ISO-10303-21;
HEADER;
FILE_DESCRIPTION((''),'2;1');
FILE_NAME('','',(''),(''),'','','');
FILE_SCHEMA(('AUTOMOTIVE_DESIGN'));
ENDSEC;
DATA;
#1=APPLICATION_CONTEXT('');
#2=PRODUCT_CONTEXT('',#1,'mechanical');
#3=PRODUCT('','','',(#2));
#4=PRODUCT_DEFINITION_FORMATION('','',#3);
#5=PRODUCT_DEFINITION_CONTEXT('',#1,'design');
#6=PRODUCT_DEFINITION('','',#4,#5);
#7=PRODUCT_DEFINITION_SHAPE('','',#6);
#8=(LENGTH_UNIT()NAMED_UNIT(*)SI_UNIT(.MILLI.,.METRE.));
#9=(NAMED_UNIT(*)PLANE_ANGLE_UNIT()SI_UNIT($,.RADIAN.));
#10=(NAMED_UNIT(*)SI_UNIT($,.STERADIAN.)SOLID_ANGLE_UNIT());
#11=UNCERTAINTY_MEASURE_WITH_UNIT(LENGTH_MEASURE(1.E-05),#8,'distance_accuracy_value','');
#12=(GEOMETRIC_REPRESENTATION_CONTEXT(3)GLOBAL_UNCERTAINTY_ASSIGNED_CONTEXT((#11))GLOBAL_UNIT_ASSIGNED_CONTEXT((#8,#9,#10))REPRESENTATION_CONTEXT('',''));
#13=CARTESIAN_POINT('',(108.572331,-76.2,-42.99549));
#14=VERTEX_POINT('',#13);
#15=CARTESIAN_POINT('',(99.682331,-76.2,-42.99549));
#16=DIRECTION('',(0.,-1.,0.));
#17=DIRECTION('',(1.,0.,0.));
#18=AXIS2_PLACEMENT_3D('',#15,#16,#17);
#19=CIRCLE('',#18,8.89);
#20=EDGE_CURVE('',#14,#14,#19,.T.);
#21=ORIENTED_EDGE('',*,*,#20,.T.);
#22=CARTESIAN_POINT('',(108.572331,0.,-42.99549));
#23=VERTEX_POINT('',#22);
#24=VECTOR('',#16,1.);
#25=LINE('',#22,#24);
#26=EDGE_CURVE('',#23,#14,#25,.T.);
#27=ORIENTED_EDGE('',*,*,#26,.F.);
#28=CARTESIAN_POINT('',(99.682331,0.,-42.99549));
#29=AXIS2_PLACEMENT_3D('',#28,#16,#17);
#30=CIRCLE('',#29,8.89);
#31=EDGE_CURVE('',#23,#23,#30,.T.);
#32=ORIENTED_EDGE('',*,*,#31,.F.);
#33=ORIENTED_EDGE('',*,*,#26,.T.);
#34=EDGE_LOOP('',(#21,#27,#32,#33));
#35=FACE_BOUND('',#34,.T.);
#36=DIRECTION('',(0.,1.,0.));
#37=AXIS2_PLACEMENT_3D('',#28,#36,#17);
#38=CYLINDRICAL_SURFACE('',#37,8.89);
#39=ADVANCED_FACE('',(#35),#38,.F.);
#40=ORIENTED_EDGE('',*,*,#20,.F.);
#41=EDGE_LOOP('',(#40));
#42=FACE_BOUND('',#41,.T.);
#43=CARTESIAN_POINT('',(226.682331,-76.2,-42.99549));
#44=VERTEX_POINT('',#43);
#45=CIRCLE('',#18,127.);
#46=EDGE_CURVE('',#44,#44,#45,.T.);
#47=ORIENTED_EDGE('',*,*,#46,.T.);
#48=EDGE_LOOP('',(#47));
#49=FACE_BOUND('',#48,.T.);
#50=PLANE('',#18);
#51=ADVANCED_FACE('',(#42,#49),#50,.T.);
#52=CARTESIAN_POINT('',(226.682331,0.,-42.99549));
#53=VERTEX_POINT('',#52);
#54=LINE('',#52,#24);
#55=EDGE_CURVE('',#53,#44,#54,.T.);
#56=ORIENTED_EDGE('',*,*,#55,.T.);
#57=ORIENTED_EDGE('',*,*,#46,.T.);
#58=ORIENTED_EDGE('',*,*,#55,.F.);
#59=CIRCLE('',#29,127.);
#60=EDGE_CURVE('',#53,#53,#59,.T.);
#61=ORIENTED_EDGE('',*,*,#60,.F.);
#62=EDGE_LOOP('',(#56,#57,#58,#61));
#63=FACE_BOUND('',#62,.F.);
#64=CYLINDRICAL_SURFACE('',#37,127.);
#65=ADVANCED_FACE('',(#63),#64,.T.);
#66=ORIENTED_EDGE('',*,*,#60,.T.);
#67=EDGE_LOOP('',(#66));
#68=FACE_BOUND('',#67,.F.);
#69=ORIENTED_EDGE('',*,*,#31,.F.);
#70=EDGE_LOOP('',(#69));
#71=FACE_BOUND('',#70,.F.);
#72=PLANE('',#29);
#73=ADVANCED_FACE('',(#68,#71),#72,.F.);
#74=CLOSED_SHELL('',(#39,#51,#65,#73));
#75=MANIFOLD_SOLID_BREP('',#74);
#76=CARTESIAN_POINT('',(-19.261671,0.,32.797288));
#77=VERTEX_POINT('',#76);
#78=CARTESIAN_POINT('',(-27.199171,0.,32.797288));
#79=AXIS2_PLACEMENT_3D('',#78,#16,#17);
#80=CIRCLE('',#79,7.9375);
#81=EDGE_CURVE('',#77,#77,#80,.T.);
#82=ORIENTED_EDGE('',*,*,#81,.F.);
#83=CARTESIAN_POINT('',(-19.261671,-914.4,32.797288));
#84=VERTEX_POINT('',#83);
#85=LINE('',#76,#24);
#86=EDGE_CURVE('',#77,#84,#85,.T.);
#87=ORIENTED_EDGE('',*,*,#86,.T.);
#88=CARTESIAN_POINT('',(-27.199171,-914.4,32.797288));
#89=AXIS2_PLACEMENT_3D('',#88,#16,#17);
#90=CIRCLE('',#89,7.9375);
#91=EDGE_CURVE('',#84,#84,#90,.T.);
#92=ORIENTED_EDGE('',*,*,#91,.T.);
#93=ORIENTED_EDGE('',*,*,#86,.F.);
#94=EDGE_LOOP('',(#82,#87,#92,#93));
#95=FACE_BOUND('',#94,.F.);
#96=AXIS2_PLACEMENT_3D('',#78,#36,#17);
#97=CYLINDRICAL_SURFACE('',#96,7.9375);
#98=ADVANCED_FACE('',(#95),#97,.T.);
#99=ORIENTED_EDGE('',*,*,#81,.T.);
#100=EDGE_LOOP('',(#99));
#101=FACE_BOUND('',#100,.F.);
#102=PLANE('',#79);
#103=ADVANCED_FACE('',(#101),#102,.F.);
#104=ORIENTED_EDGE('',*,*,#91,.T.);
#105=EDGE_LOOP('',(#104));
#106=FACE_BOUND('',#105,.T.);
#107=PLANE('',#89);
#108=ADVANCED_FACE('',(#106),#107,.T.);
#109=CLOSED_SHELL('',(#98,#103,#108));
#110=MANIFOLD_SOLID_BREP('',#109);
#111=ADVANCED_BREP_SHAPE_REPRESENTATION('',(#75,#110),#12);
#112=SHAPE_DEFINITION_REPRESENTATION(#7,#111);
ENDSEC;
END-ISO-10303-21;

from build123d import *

# Parameters (mm, degrees)
F0_R     = 7.9375
F1_DEPTH = 914.4
F0_R_2   = 127
F0_R_3   = 8.89
F2_DEPTH = 76.2


with BuildPart() as f1:
    # F0 (on Front) → F1 (new body)
    with BuildSketch(Plane.XZ):
        with Locations((-27.199171, 32.797288)):
            Circle(F0_R)
    extrude(amount=F1_DEPTH)


with BuildPart() as f2:
    # F0 (on Front) → F2 (new body)
    with BuildSketch(Plane.XZ):
        with Locations((99.682331, -42.99549)):
            Circle(F0_R_2)
        with Locations((99.682331, -42.99549)):
            Circle(F0_R_3, mode=Mode.SUBTRACT)
    extrude(amount=F2_DEPTH)


solid = Compound([f1.part, f2.part])
